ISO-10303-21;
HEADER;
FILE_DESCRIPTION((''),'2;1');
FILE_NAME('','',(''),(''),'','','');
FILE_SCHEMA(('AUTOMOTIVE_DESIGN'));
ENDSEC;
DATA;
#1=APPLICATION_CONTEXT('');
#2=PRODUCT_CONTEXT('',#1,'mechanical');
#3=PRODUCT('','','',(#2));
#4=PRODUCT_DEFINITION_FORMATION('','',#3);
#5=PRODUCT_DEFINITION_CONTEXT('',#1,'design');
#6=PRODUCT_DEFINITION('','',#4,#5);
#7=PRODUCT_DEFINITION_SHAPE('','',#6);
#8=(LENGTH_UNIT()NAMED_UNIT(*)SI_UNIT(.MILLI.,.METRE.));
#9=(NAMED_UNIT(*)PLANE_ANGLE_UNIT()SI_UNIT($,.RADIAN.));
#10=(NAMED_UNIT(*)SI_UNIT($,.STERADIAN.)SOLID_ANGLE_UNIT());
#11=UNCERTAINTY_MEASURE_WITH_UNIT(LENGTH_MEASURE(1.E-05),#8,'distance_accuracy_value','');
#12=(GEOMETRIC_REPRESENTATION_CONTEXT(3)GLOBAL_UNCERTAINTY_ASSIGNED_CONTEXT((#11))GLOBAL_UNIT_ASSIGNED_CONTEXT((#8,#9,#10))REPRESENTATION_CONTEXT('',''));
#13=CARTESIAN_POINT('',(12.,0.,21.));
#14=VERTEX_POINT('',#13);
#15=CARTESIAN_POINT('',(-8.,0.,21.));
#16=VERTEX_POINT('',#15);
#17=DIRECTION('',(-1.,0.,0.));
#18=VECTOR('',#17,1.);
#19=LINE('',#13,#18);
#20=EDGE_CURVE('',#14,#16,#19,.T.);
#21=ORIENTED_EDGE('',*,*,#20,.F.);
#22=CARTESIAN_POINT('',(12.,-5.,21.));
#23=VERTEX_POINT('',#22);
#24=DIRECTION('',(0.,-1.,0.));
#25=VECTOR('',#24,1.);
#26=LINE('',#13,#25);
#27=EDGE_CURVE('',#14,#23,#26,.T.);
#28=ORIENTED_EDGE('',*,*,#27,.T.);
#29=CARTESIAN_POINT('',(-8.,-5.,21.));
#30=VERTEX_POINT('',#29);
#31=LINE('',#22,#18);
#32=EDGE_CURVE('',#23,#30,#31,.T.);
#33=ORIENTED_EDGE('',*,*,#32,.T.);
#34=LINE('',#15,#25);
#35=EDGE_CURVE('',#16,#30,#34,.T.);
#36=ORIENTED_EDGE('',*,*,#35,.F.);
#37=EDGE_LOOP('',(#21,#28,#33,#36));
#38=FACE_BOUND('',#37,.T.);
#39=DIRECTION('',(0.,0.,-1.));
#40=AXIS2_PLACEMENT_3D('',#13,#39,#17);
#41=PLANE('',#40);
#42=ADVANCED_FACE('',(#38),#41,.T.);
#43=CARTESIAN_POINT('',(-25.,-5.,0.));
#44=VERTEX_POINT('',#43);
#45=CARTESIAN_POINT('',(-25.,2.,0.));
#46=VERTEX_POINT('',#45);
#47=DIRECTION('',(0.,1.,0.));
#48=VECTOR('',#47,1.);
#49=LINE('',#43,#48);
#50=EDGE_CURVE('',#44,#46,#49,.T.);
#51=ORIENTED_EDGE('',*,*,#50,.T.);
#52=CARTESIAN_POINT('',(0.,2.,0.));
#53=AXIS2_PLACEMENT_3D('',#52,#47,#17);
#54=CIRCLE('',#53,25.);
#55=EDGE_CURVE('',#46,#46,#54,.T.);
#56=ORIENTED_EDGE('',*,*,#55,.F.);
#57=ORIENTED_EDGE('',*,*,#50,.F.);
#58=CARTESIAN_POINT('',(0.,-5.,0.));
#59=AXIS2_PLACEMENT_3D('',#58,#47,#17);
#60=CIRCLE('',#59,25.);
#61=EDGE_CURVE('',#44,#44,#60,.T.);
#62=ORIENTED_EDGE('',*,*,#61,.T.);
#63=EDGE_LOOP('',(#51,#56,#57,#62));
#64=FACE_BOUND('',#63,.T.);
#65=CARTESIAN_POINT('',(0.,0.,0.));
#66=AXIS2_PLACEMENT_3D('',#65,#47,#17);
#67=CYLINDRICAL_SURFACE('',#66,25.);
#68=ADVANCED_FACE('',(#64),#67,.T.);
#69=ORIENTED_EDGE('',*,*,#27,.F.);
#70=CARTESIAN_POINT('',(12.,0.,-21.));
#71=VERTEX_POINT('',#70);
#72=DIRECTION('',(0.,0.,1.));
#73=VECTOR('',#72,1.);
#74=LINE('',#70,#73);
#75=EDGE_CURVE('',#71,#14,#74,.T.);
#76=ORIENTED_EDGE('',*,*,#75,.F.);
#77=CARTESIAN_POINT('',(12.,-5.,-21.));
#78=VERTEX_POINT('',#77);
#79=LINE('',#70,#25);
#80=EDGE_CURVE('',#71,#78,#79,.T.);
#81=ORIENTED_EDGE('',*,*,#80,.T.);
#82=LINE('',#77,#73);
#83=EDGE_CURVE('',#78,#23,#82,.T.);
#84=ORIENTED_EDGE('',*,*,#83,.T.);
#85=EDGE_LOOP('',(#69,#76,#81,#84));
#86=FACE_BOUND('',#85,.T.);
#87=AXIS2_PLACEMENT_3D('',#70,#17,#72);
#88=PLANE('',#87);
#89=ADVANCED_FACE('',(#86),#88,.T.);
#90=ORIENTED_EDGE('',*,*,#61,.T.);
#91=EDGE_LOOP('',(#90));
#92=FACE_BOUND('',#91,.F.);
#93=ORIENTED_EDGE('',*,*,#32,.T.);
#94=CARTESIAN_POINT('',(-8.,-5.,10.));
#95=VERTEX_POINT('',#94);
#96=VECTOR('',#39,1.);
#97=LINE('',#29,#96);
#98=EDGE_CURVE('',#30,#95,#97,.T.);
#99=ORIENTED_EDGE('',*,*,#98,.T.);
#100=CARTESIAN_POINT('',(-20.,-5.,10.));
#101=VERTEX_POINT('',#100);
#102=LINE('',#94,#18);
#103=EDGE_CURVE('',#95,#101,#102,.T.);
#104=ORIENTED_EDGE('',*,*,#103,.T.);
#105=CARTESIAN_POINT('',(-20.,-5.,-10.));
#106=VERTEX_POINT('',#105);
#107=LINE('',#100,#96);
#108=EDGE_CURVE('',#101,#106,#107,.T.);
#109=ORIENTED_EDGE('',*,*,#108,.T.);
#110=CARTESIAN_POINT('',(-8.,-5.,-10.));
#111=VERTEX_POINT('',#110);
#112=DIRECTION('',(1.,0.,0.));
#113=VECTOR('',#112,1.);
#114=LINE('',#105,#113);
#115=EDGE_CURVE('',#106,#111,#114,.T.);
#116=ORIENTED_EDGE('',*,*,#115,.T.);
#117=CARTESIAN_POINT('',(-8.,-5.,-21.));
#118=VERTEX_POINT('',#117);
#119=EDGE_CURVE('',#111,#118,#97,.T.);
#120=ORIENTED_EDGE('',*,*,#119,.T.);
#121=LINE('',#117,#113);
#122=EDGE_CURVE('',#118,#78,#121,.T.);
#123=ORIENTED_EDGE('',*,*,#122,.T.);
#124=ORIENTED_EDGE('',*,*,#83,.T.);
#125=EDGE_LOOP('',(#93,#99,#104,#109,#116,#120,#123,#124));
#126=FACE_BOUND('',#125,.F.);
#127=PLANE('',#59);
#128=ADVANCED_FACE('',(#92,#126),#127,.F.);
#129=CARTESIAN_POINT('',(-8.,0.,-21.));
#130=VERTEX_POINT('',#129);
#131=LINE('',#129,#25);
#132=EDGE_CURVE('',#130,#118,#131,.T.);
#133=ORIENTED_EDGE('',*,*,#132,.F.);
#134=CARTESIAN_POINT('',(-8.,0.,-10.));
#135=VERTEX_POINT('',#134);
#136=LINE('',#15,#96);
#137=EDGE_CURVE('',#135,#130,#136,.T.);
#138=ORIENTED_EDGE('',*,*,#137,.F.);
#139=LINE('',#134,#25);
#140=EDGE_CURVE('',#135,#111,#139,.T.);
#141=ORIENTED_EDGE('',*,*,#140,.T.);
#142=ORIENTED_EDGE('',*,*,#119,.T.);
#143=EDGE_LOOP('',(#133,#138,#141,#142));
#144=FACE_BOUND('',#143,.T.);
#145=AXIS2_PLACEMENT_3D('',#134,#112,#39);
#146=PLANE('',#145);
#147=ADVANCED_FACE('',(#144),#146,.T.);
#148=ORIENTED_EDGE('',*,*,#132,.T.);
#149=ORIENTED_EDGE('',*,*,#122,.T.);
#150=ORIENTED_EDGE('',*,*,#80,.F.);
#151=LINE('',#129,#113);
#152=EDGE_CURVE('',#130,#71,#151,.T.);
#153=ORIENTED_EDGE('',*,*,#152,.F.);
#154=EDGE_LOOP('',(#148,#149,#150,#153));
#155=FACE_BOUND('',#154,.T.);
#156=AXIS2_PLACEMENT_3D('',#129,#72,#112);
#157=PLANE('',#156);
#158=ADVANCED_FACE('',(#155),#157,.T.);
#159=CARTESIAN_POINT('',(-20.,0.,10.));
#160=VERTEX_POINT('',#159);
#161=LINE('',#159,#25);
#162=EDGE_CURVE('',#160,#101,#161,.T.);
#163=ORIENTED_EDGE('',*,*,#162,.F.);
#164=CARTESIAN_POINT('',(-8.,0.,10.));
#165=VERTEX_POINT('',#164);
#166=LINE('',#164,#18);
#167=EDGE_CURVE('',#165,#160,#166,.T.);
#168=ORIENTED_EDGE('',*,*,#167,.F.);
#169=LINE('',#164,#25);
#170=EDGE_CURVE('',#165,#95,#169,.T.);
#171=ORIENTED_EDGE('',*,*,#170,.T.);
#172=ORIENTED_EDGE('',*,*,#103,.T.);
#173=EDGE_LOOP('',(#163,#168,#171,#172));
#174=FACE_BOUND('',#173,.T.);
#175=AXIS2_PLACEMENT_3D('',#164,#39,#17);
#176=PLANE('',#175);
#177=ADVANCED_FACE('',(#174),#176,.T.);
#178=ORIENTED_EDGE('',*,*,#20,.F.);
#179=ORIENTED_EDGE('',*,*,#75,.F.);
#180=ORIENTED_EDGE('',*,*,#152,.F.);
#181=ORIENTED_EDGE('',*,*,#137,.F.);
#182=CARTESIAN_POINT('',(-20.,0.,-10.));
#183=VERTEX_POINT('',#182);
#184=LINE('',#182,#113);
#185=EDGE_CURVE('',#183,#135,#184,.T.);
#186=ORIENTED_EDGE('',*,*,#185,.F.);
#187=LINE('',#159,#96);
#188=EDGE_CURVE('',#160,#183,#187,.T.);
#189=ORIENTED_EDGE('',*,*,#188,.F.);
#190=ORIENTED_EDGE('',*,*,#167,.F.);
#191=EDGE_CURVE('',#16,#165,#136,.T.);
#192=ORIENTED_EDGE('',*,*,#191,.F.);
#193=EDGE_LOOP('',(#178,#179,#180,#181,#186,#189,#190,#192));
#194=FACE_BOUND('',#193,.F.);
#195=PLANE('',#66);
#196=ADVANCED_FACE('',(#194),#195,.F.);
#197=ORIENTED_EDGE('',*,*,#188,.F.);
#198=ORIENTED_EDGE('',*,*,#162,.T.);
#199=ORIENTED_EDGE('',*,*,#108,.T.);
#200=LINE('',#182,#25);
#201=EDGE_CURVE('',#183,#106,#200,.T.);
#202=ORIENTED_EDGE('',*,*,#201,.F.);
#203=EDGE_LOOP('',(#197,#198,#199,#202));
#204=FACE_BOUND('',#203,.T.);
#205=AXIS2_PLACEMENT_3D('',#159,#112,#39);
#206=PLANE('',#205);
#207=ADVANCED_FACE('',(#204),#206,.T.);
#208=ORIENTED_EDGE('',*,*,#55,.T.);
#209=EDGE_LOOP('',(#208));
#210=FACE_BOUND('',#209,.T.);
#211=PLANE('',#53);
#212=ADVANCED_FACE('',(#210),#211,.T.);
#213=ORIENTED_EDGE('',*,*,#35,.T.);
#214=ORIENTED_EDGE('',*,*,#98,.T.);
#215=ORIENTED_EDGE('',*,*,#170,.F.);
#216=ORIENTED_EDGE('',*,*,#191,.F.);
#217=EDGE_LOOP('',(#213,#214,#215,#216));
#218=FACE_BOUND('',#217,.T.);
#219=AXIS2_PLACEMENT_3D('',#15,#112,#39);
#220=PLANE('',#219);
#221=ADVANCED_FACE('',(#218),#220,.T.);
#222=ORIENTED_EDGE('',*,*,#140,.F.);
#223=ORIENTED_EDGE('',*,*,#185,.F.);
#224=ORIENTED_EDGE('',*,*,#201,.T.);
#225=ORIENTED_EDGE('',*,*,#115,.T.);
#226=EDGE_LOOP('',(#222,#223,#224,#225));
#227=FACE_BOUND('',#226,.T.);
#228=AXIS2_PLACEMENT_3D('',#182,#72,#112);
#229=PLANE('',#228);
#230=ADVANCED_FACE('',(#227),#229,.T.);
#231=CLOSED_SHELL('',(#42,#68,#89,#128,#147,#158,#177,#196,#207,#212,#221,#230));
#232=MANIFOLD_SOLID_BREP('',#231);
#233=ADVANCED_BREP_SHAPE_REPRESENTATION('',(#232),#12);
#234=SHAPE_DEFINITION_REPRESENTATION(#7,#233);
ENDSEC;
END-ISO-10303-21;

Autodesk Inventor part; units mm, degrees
ref_plane "YZ Plane" through (0, 0, 0) normal (1, 0, 0) x (0, 1, 0)
ref_plane "XZ Plane" through (0, 0, 0) normal (0, 1, 0) x (-1, 0, 0)
ref_plane "XY Plane" through (0, 0, 0) normal (0, 0, 1) x (1, 0, 0)
sketch "Sketch1" plane through (0, 0, 0) normal (0, 1, 0) x (-1, 0, 0)
  circle A0 centre (0, 0) radius 25
  line L0 (8, 21) -> (8, -21)
  line L1 (8, -21) -> (-12, -21)
  line L2 (-12, -21) -> (-12, 21)
  line L3 (-12, 21) -> (8, 21)
  line L4 (8, 10) -> (20, 10)
  line L5 (20, 10) -> (20, -10)
  line L6 (20, -10) -> (8, -10)
  dimension "d0" = 50
  dimension "d1" = 20
  dimension "d2" = 20
  dimension "d3" = 42
  dimension "d4" = 21
  dimension "d5" = 10
  dimension "d6" = 8
  dimension "d7" = 20
extrude "Extrusion1" add sketch "Sketch1" along normal blind 2 contours A0 | L0 L1 L2 L3 | L4 L5 L6 L0
extrude "Extrusion2" add sketch "Sketch1" against normal blind 5
properties part number "Battery"
